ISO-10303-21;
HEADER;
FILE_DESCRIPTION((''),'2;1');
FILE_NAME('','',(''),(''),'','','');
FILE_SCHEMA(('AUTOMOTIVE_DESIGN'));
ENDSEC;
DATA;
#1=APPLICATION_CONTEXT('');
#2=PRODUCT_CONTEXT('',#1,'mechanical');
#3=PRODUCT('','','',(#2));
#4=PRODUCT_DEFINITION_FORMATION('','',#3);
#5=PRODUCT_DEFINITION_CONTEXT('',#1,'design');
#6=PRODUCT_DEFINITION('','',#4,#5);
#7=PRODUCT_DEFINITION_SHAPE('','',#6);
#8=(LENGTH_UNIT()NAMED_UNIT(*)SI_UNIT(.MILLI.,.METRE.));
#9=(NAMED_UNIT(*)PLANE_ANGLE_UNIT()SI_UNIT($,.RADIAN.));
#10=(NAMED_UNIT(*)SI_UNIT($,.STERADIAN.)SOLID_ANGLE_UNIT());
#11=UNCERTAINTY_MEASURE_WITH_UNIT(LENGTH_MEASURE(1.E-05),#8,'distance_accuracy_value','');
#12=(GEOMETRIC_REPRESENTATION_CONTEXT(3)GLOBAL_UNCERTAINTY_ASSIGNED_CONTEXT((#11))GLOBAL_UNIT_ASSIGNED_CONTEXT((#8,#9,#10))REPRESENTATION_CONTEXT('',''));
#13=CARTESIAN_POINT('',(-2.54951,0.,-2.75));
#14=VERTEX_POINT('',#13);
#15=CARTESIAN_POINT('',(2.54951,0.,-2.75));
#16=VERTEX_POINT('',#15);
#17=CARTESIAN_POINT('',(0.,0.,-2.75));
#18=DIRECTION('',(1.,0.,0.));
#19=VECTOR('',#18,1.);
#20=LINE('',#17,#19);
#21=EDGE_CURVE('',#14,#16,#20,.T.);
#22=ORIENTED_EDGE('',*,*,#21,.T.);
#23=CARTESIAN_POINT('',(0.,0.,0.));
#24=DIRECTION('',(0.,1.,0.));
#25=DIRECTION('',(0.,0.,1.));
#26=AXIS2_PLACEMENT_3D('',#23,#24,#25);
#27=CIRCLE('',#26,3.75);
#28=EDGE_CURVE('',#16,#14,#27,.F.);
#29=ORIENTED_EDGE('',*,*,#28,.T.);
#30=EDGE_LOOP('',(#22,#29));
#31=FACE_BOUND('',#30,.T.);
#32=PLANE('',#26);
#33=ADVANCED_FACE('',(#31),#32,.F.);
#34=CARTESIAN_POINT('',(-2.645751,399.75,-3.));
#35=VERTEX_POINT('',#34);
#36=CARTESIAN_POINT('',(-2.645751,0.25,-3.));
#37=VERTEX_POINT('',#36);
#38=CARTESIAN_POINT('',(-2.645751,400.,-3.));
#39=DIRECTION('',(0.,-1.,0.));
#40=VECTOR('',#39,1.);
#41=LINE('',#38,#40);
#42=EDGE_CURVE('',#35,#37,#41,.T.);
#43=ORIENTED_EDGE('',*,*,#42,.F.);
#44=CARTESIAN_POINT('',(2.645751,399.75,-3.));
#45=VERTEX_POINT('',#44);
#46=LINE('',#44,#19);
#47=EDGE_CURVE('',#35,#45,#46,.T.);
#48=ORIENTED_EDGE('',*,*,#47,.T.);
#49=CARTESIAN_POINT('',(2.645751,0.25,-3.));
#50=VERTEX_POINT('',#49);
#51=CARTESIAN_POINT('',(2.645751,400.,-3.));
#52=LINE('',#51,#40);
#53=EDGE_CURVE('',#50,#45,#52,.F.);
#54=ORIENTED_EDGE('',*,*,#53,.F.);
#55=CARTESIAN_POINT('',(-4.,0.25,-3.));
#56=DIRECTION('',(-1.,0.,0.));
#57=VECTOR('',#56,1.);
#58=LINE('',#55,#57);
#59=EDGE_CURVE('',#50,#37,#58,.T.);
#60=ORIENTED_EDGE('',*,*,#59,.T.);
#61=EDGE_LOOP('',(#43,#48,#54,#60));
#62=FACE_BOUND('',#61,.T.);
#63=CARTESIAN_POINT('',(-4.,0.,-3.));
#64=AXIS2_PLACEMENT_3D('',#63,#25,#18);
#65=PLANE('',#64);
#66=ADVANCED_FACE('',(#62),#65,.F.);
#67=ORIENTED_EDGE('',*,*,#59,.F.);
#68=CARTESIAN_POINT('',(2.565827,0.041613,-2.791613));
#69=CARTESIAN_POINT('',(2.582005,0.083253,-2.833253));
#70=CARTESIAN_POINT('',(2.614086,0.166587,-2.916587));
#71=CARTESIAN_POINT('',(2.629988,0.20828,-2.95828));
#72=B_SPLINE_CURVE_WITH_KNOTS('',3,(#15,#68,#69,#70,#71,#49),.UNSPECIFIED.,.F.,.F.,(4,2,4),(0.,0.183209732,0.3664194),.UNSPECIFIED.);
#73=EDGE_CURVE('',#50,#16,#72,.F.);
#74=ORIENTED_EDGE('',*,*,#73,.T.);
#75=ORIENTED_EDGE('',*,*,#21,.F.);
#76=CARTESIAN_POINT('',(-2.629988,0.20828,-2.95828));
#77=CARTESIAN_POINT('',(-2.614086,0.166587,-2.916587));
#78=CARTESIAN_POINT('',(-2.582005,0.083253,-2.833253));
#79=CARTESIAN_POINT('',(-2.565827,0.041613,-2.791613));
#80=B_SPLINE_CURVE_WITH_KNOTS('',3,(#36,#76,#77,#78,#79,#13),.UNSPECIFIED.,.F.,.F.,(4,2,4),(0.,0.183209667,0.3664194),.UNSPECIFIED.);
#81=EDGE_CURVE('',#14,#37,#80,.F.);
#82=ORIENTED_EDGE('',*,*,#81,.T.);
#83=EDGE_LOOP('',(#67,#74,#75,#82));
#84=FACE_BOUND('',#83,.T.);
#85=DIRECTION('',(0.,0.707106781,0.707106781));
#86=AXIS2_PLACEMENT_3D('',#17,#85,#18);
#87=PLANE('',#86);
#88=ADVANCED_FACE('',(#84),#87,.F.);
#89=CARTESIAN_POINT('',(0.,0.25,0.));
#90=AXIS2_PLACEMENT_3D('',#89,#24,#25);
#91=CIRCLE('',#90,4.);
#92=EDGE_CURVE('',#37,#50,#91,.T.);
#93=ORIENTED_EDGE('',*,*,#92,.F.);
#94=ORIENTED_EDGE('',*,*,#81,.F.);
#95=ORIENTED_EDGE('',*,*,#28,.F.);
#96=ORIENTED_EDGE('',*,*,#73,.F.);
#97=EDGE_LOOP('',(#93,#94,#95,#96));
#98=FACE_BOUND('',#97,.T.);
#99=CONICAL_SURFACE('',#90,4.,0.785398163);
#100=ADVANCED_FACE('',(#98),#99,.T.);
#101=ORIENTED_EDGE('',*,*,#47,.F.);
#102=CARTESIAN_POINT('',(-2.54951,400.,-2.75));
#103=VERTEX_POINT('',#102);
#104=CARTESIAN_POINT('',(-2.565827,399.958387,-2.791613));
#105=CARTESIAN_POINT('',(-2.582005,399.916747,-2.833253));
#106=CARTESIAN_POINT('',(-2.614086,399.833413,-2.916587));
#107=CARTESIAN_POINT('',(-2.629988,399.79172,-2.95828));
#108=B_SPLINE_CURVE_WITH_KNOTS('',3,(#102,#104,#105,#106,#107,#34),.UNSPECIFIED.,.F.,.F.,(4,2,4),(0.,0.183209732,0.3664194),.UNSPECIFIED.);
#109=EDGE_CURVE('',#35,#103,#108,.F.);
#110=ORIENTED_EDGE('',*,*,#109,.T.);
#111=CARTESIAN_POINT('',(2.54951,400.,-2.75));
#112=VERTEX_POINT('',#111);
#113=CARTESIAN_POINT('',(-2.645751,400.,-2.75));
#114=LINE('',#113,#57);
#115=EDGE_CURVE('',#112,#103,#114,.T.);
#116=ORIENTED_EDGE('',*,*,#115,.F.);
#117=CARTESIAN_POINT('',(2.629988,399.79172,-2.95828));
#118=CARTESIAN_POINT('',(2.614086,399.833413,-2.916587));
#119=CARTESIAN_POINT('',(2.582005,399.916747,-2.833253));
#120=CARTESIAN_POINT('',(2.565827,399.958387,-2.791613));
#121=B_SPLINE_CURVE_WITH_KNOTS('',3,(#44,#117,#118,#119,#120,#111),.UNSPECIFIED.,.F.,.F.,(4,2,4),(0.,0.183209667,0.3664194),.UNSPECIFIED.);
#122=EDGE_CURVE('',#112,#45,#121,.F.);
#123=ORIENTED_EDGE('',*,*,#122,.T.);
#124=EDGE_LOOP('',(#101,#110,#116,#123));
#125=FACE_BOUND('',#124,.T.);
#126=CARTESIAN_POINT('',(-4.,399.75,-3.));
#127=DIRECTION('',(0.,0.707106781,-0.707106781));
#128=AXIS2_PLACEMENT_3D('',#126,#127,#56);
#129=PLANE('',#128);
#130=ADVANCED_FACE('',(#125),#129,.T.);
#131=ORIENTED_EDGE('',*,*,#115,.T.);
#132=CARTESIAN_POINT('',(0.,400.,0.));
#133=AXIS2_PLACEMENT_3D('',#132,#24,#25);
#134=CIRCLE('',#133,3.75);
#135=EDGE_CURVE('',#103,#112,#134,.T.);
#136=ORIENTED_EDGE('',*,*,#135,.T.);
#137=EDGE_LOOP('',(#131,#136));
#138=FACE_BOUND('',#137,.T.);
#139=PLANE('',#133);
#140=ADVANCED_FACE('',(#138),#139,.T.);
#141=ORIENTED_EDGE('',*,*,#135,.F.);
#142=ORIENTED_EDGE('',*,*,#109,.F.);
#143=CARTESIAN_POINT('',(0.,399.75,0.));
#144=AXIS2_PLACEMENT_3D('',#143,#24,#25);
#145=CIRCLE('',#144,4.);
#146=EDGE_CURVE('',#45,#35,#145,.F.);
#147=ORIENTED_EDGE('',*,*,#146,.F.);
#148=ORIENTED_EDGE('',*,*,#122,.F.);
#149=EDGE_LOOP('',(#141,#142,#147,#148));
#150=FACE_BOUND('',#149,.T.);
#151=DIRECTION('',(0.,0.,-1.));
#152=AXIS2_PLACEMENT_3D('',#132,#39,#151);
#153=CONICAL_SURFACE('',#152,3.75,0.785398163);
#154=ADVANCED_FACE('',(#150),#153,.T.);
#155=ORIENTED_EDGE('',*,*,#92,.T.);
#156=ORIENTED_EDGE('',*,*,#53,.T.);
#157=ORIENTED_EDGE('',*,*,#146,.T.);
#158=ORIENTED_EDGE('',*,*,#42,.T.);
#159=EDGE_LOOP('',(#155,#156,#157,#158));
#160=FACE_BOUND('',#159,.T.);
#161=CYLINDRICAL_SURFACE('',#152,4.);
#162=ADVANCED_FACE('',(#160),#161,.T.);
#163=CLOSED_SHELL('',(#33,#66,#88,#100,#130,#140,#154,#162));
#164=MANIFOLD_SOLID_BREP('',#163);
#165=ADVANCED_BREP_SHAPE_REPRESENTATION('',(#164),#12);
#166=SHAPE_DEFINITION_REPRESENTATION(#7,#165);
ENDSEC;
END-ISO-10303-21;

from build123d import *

# Parameters (mm, degrees)
SKETCH1_R               = 4
BOSS_EXTRUDE1_DEPTH     = 400
CUT_EXTRUDE1_DEPTH      = 401.039998
CUT_EXTRUDE1_DEPTH_BACK = 401.039998
CHAMFER1_SIZE           = 0.25


with BuildPart() as part:
    # Sketch1 → Boss-Extrude1 (new body)
    with BuildSketch(Plane(origin=(0, 0, 0), x_dir=(1, 0, 0), z_dir=(0, 1, 0))):
        with Locations(Location((0, 0, 0), (0, 0, 270))):
            Circle(SKETCH1_R)
    extrude(amount=BOSS_EXTRUDE1_DEPTH)

    # Sketch2 → Cut-Extrude1 (cut, two sides: drawn at the far end of the back side and taken through both)
    with BuildSketch(Plane(origin=(0, 400, 0), x_dir=(1, 0, 0), z_dir=(0, 1, 0)).offset(-CUT_EXTRUDE1_DEPTH_BACK)):
        with BuildLine():
            Line((-4, 3), (4, 3))
            ThreePointArc((4, 3), (0, 5), (-4, 3))
        make_face()
    extrude(amount=CUT_EXTRUDE1_DEPTH + CUT_EXTRUDE1_DEPTH_BACK, mode=Mode.SUBTRACT)

    # Chamfer1
    chamfer1_edges = [part.edges().sort_by_distance(p)[0] for p in [
        (0, 0, 4),
        (0, 0, -3),
        (0, 400, 4),
        (0, 400, -3),
    ]]
    chamfer(chamfer1_edges, length=CHAMFER1_SIZE)


solid = part.part
